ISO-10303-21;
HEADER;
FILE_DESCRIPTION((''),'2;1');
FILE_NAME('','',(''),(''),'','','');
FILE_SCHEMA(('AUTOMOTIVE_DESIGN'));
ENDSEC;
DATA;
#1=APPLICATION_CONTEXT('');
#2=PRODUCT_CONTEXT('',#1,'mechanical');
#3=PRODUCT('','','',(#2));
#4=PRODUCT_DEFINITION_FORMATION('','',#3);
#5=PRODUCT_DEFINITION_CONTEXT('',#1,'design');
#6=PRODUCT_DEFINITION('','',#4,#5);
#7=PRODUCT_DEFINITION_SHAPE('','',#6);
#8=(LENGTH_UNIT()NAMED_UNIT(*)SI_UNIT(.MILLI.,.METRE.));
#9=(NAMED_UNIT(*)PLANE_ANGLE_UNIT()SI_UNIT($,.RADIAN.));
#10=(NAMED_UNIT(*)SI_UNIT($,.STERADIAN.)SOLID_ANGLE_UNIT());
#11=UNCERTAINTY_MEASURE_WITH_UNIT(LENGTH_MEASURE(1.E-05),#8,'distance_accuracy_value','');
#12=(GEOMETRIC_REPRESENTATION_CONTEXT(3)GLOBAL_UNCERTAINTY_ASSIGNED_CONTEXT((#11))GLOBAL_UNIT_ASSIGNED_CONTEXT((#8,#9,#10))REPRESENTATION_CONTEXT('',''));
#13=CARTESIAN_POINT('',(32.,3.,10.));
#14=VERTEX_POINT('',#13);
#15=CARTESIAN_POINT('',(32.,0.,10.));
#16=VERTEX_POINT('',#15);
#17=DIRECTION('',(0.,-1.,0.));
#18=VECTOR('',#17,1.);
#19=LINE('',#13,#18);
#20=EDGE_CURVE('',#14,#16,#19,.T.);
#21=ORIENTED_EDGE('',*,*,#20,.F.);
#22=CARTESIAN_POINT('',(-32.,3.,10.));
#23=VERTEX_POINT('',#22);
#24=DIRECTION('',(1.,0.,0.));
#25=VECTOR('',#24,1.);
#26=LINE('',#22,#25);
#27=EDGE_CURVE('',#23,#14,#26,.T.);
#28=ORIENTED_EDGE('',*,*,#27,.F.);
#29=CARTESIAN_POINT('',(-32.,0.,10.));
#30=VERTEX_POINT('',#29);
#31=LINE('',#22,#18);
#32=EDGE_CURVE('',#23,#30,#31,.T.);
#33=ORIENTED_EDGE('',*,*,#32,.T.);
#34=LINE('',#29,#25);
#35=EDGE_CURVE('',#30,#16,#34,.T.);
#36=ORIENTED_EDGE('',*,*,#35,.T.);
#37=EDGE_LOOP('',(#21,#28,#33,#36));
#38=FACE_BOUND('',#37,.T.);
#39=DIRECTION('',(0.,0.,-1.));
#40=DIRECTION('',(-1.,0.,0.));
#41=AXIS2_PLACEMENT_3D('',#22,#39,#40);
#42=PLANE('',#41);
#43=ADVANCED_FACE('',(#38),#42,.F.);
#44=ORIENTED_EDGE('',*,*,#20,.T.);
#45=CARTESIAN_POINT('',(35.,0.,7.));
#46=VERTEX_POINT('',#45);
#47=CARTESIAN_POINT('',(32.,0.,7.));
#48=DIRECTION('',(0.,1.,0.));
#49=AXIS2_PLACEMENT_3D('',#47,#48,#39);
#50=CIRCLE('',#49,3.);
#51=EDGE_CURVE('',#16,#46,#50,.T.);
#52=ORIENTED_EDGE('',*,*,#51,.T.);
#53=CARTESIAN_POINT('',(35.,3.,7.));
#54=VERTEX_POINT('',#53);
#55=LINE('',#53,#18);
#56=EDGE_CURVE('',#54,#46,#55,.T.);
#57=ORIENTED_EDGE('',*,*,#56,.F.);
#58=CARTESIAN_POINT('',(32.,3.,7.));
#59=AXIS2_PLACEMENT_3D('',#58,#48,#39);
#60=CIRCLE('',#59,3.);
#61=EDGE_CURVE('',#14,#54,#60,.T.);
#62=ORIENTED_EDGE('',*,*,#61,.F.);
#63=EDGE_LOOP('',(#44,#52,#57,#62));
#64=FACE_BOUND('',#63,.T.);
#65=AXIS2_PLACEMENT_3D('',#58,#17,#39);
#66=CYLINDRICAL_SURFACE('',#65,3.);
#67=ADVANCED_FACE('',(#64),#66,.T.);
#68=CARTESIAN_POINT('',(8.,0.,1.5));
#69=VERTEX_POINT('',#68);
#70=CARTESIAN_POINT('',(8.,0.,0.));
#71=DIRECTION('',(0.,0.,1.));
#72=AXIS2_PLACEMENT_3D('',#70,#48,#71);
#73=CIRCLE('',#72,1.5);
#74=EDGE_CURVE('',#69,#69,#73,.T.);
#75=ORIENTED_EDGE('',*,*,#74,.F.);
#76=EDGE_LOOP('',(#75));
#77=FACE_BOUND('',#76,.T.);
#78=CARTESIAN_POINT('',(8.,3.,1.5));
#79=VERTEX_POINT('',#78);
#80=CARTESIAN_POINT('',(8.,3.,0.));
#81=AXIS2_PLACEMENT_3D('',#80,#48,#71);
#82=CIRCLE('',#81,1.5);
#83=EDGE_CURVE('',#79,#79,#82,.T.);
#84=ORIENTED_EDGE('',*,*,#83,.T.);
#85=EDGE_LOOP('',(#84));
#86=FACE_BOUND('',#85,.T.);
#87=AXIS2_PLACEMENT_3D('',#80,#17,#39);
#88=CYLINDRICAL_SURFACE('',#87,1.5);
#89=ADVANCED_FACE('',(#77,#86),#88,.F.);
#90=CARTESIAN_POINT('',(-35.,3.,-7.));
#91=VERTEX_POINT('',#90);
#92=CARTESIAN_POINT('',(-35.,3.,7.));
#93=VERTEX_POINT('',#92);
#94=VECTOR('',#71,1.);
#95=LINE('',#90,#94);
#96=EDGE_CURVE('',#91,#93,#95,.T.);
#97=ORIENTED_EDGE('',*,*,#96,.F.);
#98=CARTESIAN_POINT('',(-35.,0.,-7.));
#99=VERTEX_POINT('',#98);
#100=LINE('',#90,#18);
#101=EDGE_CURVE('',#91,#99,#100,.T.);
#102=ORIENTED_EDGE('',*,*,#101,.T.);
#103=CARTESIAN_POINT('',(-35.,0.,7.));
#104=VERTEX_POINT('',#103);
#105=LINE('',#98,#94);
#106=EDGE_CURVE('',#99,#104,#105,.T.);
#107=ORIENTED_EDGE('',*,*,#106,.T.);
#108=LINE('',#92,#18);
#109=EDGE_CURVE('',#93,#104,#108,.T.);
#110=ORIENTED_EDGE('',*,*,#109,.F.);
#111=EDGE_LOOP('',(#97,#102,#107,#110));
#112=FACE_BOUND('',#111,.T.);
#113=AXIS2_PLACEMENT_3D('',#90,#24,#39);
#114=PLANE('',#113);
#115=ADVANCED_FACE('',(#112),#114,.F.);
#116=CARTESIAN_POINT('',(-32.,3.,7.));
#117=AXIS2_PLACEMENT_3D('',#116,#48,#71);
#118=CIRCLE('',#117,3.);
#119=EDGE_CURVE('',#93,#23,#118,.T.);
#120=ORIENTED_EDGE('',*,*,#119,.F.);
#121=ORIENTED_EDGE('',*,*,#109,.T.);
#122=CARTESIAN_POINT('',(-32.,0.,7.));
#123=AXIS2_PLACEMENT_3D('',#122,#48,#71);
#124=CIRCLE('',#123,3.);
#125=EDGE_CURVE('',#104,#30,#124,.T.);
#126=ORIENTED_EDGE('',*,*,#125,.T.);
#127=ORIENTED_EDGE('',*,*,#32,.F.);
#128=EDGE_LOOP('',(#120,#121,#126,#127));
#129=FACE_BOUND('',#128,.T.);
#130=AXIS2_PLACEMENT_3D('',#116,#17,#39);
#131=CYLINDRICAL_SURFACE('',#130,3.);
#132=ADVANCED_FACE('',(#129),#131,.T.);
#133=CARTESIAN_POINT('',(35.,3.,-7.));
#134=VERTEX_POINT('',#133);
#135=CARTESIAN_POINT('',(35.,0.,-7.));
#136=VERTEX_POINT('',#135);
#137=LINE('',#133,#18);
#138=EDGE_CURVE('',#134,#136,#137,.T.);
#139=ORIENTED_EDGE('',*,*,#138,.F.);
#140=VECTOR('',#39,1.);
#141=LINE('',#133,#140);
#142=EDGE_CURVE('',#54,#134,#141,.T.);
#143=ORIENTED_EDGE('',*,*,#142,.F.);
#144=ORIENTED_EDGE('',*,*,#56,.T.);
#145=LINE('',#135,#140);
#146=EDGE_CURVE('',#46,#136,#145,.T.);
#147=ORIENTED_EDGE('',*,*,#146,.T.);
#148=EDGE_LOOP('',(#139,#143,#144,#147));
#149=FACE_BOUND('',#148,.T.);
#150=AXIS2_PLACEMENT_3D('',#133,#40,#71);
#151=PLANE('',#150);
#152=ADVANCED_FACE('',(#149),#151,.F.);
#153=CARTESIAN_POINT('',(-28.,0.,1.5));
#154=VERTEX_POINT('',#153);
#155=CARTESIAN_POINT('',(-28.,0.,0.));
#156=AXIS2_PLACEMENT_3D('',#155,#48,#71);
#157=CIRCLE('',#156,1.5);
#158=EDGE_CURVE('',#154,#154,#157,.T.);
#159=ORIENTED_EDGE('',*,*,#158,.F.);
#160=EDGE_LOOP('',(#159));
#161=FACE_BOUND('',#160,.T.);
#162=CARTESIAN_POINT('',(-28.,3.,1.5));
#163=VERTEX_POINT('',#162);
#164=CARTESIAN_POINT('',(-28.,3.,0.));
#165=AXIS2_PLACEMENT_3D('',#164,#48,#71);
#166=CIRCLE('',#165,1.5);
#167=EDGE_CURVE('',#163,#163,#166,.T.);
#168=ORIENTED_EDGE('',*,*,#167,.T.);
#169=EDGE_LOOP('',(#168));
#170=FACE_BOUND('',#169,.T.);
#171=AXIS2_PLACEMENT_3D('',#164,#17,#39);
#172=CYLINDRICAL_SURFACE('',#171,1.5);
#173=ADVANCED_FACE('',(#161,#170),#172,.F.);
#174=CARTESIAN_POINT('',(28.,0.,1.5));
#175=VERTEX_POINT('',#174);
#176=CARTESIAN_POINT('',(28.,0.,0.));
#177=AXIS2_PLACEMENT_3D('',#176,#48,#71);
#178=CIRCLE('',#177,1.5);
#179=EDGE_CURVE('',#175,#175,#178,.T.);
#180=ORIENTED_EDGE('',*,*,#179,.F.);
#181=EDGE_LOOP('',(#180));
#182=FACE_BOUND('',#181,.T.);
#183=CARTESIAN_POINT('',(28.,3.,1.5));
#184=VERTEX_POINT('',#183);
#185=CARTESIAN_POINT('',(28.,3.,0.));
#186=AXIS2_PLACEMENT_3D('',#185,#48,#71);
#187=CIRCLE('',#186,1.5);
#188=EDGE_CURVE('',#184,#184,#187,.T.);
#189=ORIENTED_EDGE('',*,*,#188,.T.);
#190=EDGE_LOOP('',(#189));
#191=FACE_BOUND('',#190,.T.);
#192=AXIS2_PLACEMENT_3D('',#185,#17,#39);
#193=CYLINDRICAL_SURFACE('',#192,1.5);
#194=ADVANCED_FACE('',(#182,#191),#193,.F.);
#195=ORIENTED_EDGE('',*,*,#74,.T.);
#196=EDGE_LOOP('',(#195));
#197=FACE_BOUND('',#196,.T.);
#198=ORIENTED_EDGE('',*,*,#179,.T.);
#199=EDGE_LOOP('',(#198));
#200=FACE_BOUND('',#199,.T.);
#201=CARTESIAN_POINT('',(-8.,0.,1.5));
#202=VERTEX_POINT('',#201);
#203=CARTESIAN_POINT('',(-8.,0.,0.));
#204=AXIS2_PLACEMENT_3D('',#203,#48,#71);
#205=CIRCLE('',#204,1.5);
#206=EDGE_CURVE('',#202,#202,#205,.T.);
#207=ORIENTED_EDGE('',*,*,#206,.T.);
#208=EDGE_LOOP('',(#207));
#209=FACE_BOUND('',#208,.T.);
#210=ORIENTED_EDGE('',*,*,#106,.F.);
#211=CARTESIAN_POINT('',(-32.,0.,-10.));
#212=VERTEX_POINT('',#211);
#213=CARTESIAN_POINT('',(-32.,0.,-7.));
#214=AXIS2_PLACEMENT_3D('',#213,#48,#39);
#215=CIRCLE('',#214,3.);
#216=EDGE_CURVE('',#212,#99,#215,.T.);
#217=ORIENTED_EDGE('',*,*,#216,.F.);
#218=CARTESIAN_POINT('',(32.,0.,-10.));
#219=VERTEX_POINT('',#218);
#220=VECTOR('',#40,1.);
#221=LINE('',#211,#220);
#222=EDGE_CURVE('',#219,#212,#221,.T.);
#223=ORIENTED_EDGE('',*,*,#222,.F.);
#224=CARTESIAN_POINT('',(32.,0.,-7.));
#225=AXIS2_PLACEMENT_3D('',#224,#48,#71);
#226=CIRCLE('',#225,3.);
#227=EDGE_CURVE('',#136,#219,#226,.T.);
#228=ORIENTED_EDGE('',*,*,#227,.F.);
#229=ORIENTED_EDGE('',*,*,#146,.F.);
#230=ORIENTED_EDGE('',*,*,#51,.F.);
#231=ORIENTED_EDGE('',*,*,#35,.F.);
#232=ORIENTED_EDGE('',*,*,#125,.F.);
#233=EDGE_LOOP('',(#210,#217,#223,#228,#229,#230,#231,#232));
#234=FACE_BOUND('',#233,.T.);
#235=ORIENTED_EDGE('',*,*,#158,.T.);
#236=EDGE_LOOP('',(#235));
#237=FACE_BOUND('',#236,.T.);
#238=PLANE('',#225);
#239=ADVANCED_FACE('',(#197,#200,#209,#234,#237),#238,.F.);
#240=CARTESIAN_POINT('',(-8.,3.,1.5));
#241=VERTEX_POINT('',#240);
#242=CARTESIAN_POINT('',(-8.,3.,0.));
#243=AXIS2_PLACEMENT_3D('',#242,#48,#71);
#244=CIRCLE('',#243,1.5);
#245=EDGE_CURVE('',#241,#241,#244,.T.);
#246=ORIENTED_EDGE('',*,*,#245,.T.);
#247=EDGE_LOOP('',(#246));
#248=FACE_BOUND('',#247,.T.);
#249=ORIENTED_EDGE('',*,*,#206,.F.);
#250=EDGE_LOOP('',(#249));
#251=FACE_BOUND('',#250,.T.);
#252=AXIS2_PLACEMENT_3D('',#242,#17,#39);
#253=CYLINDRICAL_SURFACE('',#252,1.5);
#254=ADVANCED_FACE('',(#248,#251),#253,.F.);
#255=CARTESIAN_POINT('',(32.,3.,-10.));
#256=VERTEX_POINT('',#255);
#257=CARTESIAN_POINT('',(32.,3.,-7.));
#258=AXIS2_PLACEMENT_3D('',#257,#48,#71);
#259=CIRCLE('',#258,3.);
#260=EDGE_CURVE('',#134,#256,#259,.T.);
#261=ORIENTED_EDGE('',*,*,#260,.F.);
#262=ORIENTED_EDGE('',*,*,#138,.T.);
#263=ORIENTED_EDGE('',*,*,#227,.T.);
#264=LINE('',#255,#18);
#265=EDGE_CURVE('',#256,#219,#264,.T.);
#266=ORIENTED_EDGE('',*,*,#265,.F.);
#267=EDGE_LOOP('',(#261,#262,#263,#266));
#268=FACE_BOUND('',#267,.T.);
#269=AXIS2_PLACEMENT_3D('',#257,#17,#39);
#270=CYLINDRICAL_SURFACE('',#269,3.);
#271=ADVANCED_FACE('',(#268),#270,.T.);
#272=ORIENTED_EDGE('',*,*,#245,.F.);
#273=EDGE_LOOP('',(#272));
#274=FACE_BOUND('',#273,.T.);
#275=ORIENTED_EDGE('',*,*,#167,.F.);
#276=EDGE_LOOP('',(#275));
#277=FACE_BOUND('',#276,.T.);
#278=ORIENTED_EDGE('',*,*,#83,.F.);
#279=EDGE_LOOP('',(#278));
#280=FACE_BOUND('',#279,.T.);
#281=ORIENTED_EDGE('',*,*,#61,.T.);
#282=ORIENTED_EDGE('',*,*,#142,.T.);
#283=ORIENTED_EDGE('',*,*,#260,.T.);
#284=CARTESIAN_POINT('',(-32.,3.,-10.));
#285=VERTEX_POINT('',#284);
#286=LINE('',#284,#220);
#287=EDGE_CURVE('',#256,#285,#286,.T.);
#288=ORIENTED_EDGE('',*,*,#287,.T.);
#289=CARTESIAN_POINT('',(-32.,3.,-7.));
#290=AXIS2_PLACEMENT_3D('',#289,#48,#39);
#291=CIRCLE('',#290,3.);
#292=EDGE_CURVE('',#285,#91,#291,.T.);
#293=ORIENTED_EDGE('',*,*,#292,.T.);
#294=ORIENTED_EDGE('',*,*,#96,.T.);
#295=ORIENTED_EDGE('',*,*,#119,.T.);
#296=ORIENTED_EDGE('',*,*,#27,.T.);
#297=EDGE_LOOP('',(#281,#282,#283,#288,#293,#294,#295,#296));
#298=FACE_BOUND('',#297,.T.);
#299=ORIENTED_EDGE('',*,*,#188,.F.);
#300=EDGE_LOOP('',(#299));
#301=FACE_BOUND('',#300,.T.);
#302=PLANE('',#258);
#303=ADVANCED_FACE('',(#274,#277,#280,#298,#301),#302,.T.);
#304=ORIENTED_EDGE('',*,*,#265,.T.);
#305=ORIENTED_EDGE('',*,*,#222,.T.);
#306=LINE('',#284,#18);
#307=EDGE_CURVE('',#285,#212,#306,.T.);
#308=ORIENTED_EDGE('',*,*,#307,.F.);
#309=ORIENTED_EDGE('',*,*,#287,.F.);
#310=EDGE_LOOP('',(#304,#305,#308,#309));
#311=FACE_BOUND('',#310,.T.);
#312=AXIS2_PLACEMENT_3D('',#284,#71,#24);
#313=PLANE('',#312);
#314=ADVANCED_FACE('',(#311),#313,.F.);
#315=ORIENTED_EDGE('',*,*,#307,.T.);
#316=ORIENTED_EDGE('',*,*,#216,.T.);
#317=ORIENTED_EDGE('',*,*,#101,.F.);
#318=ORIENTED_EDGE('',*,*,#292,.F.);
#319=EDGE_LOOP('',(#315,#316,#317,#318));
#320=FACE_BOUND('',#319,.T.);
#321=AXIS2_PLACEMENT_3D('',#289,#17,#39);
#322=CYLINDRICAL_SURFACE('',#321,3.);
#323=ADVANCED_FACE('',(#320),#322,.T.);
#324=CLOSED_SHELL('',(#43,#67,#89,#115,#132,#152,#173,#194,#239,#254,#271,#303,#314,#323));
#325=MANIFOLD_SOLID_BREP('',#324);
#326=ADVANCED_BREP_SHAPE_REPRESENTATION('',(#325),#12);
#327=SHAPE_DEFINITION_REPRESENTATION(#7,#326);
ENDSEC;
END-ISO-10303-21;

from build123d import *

# Parameters (mm, degrees)
SKETCH1_R           = 1.5
BOSS_EXTRUDE1_DEPTH = 3


with BuildPart() as part:
    # Sketch1 → Boss-Extrude1 (new body)
    with BuildSketch(Plane(origin=(0, 0, 0), x_dir=(1, 0, 0), z_dir=(0, 1, 0))):
        with BuildLine():
            Line((-32, 10), (32, 10))
            ThreePointArc((32, 10), (34.121320344, 9.121320344), (35, 7))
            Line((35, 7), (35, -7))
            ThreePointArc((35, -7), (34.121320344, -9.121320344), (32, -10))
            Line((32, -10), (-32, -10))
            ThreePointArc((-32, -10), (-34.121320344, -9.121320344), (-35, -7))
            Line((-35, -7), (-35, 7))
            ThreePointArc((-35, 7), (-34.121320344, 9.121320344), (-32, 10))
        make_face()
        with Locations((8, 0)):
            Circle(SKETCH1_R, mode=Mode.SUBTRACT)
        with Locations((-8, 0)):
            Circle(SKETCH1_R, mode=Mode.SUBTRACT)
        with Locations((28, 0)):
            Circle(SKETCH1_R, mode=Mode.SUBTRACT)
        with Locations((-28, 0)):
            Circle(SKETCH1_R, mode=Mode.SUBTRACT)
    extrude(amount=BOSS_EXTRUDE1_DEPTH)


solid = part.part
